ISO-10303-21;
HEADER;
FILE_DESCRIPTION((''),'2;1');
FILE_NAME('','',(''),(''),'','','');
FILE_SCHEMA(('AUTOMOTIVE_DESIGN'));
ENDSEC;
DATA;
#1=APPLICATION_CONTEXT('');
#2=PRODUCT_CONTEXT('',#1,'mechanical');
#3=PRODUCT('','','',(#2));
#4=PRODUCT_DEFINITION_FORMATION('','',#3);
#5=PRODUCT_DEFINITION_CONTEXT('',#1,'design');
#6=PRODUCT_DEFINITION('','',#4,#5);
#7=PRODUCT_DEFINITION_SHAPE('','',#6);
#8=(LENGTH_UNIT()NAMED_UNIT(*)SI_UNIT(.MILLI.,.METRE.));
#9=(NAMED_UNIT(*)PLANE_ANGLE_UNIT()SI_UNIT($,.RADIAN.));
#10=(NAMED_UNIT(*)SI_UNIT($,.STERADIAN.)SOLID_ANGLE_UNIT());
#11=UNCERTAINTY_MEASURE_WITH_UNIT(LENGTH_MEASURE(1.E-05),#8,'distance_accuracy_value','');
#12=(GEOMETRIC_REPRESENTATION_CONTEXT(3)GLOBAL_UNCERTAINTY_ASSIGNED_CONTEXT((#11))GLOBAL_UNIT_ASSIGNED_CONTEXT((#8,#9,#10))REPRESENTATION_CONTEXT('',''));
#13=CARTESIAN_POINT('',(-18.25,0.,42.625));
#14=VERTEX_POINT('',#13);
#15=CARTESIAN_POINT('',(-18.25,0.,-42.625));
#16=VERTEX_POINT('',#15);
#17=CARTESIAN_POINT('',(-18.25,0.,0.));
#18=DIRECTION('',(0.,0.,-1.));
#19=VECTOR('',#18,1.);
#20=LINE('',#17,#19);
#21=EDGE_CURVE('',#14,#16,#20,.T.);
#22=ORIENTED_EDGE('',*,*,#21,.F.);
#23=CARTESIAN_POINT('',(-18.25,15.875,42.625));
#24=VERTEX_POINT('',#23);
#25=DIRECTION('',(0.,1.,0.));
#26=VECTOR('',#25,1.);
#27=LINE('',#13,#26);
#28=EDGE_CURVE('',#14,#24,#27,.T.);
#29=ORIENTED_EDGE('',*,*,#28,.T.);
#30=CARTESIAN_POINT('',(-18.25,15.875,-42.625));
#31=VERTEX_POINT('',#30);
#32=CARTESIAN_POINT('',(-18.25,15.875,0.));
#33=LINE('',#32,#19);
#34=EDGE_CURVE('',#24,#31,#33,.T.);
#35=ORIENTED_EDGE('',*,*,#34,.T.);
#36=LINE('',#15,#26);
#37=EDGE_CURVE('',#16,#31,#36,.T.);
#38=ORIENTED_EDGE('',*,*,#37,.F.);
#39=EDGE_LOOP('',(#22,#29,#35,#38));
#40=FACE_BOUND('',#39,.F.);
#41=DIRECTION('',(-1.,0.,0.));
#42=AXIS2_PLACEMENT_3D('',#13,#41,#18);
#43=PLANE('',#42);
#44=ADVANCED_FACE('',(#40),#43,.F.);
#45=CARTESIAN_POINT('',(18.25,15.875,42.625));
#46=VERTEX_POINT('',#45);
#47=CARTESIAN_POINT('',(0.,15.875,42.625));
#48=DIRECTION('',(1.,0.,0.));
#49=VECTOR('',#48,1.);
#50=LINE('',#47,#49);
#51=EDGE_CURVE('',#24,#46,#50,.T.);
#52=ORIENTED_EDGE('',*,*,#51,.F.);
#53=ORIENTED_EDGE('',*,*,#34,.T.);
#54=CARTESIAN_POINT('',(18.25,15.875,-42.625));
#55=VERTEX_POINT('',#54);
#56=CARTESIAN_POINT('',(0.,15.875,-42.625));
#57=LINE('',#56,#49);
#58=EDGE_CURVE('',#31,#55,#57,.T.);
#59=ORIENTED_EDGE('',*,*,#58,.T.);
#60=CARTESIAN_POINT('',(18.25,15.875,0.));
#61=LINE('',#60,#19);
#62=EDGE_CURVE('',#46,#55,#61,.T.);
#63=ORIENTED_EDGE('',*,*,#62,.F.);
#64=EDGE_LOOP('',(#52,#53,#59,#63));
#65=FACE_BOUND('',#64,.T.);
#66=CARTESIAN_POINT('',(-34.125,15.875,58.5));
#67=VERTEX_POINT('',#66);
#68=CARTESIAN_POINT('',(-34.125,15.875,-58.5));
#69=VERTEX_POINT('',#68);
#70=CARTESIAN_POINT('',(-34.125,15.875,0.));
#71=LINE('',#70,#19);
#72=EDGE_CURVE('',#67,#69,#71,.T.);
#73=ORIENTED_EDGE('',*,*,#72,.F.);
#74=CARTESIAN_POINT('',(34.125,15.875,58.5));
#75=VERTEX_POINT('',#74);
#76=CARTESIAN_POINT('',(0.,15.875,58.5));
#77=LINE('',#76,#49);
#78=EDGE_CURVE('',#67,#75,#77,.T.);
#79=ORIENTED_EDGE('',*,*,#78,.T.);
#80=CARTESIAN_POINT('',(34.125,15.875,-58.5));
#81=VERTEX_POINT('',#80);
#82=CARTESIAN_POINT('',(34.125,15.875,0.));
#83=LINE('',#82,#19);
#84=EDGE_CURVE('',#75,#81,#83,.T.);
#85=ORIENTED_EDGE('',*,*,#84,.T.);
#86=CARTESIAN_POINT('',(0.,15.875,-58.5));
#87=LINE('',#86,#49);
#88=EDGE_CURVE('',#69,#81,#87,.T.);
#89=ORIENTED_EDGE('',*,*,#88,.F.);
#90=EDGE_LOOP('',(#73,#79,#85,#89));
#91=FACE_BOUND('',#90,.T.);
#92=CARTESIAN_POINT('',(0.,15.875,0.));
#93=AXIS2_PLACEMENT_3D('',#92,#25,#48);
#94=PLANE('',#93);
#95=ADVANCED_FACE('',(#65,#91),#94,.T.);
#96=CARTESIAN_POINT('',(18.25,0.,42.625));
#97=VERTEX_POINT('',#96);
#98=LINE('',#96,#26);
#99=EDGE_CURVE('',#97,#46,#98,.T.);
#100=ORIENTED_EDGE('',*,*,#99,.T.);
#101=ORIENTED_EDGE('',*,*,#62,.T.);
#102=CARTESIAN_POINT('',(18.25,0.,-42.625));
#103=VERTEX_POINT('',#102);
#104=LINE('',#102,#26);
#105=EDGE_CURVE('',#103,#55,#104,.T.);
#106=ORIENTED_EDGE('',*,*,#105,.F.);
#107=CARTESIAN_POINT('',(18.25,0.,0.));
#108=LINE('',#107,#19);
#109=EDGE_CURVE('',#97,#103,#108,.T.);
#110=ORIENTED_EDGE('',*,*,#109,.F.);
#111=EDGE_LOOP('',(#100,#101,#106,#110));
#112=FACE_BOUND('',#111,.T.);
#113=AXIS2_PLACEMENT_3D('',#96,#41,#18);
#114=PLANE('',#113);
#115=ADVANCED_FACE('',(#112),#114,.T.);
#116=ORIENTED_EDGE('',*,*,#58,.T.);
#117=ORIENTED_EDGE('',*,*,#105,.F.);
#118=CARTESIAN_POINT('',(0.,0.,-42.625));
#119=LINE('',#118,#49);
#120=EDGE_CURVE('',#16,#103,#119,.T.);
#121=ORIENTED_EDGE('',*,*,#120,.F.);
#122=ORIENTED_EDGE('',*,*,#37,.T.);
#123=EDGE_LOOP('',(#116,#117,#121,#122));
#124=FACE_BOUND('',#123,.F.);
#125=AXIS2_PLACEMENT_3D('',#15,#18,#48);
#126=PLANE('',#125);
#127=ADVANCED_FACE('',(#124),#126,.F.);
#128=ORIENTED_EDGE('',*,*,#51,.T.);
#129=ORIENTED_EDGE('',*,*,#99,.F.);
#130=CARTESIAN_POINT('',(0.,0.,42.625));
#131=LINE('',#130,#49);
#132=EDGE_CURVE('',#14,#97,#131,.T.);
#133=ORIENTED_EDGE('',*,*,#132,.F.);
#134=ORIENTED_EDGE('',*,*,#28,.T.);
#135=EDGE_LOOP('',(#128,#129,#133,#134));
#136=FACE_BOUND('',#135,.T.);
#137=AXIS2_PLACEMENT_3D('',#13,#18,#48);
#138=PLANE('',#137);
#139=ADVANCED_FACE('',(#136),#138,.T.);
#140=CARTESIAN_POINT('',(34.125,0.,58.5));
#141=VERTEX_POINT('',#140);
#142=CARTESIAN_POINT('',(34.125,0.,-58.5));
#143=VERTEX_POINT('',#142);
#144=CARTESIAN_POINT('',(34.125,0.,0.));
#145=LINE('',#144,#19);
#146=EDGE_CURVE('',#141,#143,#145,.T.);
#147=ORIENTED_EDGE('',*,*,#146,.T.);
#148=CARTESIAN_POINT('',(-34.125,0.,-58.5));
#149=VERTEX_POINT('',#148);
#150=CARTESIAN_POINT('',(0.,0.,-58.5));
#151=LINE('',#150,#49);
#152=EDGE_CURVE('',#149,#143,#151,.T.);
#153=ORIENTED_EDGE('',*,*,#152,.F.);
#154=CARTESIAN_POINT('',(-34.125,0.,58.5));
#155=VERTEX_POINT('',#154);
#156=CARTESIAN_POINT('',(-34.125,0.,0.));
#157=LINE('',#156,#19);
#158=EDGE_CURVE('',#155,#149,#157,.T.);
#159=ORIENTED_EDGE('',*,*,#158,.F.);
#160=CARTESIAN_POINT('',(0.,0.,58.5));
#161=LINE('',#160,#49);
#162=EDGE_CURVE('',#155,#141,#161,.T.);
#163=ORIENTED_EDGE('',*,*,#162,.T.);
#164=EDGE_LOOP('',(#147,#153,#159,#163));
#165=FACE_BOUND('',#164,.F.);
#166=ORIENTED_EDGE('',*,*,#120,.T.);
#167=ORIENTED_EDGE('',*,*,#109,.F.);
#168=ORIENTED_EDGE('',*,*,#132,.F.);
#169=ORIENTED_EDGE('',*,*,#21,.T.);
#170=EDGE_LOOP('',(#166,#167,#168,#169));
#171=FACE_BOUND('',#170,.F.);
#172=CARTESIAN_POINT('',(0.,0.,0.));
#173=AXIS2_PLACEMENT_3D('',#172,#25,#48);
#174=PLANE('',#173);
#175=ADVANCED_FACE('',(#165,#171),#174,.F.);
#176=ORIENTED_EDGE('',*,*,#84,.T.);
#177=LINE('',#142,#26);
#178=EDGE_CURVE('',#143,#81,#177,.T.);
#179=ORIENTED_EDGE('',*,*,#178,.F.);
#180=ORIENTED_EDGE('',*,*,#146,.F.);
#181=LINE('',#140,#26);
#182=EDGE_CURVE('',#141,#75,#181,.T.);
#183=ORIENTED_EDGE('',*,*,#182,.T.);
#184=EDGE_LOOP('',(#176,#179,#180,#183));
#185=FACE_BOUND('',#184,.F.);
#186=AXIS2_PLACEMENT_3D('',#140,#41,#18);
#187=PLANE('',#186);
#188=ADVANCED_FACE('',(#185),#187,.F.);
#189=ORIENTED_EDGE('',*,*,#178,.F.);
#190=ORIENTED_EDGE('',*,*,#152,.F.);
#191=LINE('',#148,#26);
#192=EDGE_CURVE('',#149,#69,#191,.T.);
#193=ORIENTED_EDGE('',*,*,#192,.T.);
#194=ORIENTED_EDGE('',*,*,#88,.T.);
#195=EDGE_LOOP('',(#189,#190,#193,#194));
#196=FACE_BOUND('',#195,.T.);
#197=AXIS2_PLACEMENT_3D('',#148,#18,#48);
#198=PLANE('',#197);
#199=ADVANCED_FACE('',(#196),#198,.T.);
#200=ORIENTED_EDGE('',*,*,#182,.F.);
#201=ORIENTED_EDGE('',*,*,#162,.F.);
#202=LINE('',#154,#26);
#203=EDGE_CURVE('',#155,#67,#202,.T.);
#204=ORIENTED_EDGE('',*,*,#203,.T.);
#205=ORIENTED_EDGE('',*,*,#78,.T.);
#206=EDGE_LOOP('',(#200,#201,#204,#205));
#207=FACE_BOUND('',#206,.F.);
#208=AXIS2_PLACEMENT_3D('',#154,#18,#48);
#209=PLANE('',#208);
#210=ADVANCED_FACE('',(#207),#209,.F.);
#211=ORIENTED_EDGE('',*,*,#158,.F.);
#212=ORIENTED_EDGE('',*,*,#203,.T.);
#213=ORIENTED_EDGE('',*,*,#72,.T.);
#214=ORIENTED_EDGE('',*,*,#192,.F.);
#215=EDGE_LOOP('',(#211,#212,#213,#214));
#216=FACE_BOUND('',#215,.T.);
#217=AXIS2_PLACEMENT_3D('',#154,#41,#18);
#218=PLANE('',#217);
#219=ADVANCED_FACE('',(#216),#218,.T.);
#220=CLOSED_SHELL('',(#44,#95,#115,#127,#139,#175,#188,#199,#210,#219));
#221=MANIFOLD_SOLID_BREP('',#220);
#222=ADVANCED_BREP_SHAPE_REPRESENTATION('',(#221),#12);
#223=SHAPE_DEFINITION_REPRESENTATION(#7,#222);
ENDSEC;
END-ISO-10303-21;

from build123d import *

# Parameters (mm, degrees)
SKETCH1_W           = 68.25
SKETCH1_H           = 117
SKETCH1_W_2         = 36.5
SKETCH1_H_2         = 85.25
BOSS_EXTRUDE1_DEPTH = 15.875


with BuildPart() as part:
    # Sketch1 → Boss-Extrude1 (new body)
    with BuildSketch(Plane(origin=(0, 0, 0), x_dir=(1, 0, 0), z_dir=(0, 1, 0))):
        Rectangle(SKETCH1_W, SKETCH1_H)
        Rectangle(SKETCH1_W_2, SKETCH1_H_2, mode=Mode.SUBTRACT)
    extrude(amount=BOSS_EXTRUDE1_DEPTH)


solid = part.part
